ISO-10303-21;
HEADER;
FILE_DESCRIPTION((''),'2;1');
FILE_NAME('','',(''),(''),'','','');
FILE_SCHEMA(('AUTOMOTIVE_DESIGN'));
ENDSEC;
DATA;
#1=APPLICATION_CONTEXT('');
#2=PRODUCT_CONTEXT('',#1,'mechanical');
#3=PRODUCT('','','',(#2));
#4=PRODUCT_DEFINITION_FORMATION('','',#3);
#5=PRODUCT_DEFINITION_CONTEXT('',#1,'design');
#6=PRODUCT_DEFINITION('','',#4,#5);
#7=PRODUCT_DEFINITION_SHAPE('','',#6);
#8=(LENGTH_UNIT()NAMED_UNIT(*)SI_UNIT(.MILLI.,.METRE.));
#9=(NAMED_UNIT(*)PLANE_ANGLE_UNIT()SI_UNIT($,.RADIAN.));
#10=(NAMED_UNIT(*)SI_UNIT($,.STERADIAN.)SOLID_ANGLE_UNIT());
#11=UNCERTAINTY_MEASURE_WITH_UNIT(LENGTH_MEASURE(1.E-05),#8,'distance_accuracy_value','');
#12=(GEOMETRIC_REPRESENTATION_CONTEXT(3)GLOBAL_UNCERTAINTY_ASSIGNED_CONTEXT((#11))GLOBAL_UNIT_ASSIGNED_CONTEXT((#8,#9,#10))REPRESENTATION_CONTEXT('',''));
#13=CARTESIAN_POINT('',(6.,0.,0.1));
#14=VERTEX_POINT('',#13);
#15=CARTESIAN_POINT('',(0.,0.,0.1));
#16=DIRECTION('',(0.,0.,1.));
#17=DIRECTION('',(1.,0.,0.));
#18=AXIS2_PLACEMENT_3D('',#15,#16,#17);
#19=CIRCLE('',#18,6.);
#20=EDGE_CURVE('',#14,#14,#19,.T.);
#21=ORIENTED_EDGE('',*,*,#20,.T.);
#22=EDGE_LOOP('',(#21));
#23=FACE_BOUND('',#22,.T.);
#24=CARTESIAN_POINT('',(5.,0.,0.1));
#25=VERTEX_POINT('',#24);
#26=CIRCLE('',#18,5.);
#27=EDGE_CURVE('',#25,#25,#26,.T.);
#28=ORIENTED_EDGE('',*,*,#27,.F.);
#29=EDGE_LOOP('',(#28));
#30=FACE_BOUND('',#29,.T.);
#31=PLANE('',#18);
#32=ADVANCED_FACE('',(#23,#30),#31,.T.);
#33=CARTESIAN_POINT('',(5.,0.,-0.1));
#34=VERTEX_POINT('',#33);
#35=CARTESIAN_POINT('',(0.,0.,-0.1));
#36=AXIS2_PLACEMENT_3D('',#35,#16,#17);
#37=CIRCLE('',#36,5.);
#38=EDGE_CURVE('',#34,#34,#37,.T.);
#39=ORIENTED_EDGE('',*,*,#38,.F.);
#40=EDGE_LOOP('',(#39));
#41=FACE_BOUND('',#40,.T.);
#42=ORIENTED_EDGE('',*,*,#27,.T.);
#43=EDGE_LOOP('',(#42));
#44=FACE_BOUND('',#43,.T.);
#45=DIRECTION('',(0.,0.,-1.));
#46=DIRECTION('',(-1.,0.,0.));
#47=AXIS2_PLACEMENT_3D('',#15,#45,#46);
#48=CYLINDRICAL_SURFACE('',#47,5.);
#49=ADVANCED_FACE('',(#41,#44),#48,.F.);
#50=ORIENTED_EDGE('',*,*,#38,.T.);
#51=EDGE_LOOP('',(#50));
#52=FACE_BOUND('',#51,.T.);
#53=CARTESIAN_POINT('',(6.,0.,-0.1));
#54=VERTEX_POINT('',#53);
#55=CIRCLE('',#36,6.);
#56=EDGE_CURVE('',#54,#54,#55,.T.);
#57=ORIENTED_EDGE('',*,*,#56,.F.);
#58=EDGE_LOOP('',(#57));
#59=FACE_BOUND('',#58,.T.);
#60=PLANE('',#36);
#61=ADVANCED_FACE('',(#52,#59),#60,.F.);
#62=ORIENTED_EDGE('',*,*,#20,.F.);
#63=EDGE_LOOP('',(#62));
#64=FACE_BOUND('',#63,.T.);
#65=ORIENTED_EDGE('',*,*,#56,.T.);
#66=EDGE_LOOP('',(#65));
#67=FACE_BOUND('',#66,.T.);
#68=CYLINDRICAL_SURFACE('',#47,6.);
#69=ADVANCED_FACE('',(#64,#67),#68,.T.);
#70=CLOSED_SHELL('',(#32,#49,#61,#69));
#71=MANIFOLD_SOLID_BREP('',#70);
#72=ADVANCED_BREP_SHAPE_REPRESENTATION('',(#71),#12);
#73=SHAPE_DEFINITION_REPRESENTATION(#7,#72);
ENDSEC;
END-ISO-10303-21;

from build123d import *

# Parameters (mm, degrees)
SKETCH_1_R      = 6
SKETCH_1_R_2    = 5
EXTRUDE_1_DEPTH = 0.1


with BuildPart() as part:
    # 草图1 → 凸台-拉伸1 (new, symmetric)
    with BuildSketch(Plane.XY):
        Circle(SKETCH_1_R)
        Circle(SKETCH_1_R_2, mode=Mode.SUBTRACT)
    extrude(amount=EXTRUDE_1_DEPTH, both=True)


solid = part.part
